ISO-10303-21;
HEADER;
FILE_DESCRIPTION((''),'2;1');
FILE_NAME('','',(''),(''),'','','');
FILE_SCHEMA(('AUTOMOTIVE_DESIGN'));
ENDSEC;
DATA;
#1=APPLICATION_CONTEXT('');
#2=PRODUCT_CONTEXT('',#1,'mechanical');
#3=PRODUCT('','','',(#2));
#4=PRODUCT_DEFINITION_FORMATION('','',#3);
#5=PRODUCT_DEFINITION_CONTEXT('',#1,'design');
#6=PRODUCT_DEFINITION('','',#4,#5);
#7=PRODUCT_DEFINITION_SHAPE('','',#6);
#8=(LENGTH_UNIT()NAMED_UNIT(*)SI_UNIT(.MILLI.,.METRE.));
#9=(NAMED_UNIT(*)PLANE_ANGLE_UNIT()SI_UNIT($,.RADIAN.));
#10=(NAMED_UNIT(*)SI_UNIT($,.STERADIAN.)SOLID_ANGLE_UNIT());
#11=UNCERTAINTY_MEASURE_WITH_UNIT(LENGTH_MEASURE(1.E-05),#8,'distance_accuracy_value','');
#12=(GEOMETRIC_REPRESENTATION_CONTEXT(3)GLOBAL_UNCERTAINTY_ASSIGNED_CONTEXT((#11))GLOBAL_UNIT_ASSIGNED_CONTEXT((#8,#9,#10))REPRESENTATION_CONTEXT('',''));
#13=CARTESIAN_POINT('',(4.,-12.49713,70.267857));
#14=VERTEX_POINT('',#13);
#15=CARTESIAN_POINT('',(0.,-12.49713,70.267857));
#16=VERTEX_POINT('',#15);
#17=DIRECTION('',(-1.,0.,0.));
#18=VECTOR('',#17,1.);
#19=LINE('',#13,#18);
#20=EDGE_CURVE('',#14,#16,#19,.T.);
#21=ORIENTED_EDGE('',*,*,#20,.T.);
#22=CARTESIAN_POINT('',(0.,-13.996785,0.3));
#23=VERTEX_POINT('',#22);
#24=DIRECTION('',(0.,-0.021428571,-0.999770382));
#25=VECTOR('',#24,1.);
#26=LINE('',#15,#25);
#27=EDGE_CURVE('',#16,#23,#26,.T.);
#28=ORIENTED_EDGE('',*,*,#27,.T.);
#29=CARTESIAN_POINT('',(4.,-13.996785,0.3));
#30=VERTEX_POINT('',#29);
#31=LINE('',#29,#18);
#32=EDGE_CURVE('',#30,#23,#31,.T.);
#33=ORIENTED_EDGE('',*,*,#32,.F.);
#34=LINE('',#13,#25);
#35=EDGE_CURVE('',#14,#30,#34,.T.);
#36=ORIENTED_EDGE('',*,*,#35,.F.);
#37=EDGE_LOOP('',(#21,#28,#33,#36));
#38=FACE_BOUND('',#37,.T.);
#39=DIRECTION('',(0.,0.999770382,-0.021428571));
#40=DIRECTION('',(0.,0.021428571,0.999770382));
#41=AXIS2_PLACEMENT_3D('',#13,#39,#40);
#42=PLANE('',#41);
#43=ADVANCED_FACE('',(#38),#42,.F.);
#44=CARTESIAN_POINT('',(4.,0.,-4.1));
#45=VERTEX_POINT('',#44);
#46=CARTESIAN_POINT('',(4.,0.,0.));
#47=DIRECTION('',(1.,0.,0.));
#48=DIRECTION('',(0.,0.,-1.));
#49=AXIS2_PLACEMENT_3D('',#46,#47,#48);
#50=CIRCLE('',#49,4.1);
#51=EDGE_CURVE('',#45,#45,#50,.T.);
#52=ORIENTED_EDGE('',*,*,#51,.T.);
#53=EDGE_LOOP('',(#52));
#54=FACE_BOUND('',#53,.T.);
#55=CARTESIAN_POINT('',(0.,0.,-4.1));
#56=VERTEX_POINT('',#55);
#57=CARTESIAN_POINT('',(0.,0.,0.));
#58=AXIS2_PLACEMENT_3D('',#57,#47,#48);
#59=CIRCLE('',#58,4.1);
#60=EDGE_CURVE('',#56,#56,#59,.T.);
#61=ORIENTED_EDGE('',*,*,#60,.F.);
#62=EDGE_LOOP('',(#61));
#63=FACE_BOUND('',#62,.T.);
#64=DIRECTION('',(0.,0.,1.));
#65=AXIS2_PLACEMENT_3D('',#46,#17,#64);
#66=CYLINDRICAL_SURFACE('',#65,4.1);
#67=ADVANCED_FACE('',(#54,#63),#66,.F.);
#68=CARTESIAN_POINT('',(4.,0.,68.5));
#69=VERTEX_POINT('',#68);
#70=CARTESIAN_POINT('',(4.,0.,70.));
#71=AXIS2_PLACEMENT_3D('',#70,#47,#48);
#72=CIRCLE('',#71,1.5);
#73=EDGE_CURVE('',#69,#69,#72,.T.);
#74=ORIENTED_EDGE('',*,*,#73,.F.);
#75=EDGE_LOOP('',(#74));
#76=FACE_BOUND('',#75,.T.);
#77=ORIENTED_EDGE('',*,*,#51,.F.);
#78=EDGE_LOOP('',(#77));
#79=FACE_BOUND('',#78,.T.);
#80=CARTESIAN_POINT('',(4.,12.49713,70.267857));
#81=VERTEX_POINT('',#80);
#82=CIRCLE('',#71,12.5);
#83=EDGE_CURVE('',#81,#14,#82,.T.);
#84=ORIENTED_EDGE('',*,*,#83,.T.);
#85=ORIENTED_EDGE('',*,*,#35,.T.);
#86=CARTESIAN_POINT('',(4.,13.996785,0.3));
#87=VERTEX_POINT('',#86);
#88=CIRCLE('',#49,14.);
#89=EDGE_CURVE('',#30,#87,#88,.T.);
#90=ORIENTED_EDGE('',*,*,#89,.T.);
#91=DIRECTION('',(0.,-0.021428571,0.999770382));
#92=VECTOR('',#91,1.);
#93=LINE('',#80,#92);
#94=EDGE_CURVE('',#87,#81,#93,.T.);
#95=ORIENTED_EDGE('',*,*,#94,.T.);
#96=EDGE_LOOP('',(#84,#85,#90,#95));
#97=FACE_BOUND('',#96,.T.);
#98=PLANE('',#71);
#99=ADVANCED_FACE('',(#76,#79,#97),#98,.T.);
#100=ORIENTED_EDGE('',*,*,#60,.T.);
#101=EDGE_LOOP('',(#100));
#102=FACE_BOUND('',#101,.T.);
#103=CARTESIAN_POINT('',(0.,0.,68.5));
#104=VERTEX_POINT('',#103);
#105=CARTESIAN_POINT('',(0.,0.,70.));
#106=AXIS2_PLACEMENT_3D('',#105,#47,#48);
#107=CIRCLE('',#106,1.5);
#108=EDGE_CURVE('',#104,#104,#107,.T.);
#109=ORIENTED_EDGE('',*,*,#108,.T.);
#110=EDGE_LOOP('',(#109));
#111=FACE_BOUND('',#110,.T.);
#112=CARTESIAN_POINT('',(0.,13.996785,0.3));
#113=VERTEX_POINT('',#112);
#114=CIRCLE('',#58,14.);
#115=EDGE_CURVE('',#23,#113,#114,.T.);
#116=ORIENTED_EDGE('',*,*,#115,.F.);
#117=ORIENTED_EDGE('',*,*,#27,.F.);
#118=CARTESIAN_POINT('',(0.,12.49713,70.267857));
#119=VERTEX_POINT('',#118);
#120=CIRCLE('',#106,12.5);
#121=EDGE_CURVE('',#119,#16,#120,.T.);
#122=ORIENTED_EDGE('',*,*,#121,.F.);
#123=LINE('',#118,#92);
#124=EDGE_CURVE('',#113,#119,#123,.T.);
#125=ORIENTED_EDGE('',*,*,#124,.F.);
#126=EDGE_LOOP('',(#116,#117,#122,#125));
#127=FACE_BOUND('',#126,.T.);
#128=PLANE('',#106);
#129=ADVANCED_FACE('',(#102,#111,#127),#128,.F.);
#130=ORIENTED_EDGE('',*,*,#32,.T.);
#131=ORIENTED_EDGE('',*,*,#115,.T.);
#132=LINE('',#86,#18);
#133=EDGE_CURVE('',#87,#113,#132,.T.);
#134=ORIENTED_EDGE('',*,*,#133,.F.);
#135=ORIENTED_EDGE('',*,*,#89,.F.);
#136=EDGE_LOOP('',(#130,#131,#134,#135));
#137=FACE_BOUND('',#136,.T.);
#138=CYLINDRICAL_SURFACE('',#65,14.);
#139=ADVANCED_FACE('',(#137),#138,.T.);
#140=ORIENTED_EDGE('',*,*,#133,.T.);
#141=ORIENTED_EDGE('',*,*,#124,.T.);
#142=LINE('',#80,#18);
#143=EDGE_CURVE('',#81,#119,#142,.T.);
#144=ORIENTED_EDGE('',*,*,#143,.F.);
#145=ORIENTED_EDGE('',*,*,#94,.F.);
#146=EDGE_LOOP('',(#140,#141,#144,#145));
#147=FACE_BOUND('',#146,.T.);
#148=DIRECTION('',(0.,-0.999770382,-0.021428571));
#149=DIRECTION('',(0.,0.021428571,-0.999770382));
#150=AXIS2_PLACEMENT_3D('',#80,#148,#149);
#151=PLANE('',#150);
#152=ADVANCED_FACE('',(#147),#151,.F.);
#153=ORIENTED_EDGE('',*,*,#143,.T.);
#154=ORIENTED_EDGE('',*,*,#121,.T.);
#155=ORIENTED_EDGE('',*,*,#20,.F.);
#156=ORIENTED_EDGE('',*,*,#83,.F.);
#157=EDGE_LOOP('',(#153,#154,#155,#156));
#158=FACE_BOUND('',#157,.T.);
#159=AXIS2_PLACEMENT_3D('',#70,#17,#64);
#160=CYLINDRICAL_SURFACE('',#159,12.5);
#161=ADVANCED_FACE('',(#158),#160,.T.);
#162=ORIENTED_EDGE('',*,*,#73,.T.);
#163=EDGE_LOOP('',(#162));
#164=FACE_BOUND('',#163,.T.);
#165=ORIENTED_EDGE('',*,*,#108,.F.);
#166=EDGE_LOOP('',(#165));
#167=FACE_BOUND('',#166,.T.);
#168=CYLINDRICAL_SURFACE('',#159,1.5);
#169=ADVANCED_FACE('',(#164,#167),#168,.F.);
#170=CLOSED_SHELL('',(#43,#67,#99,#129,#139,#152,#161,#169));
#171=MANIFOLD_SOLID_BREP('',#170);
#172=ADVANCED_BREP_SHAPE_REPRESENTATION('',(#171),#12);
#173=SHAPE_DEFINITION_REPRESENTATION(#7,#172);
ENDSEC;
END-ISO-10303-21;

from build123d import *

# Parameters (mm, degrees)
CROQUIS1_R              = 4.1
CROQUIS1_R_2            = 1.5
SALIENTE_EXTRUIR1_DEPTH = 4


with BuildPart() as part:
    # Croquis1 → Saliente-Extruir1 (new body)
    with BuildSketch(Plane(origin=(0, 0, 0), x_dir=(0, 0, -1), z_dir=(1, 0, 0))):
        with BuildLine():
            Line((-70.267857143, 12.497129773), (-0.3, 13.996785345))
            ThreePointArc((-0.3, 13.996785345), (14, 0), (-0.3, -13.996785345))
            Line((-0.3, -13.996785345), (-70.267857143, -12.497129773))
            ThreePointArc((-70.267857143, -12.497129773), (-82.5, 0), (-70.267857143, 12.497129773))
        make_face()
        Circle(CROQUIS1_R, mode=Mode.SUBTRACT)
        with Locations((-70, 0)):
            Circle(CROQUIS1_R_2, mode=Mode.SUBTRACT)
    extrude(amount=SALIENTE_EXTRUIR1_DEPTH)


solid = part.part
